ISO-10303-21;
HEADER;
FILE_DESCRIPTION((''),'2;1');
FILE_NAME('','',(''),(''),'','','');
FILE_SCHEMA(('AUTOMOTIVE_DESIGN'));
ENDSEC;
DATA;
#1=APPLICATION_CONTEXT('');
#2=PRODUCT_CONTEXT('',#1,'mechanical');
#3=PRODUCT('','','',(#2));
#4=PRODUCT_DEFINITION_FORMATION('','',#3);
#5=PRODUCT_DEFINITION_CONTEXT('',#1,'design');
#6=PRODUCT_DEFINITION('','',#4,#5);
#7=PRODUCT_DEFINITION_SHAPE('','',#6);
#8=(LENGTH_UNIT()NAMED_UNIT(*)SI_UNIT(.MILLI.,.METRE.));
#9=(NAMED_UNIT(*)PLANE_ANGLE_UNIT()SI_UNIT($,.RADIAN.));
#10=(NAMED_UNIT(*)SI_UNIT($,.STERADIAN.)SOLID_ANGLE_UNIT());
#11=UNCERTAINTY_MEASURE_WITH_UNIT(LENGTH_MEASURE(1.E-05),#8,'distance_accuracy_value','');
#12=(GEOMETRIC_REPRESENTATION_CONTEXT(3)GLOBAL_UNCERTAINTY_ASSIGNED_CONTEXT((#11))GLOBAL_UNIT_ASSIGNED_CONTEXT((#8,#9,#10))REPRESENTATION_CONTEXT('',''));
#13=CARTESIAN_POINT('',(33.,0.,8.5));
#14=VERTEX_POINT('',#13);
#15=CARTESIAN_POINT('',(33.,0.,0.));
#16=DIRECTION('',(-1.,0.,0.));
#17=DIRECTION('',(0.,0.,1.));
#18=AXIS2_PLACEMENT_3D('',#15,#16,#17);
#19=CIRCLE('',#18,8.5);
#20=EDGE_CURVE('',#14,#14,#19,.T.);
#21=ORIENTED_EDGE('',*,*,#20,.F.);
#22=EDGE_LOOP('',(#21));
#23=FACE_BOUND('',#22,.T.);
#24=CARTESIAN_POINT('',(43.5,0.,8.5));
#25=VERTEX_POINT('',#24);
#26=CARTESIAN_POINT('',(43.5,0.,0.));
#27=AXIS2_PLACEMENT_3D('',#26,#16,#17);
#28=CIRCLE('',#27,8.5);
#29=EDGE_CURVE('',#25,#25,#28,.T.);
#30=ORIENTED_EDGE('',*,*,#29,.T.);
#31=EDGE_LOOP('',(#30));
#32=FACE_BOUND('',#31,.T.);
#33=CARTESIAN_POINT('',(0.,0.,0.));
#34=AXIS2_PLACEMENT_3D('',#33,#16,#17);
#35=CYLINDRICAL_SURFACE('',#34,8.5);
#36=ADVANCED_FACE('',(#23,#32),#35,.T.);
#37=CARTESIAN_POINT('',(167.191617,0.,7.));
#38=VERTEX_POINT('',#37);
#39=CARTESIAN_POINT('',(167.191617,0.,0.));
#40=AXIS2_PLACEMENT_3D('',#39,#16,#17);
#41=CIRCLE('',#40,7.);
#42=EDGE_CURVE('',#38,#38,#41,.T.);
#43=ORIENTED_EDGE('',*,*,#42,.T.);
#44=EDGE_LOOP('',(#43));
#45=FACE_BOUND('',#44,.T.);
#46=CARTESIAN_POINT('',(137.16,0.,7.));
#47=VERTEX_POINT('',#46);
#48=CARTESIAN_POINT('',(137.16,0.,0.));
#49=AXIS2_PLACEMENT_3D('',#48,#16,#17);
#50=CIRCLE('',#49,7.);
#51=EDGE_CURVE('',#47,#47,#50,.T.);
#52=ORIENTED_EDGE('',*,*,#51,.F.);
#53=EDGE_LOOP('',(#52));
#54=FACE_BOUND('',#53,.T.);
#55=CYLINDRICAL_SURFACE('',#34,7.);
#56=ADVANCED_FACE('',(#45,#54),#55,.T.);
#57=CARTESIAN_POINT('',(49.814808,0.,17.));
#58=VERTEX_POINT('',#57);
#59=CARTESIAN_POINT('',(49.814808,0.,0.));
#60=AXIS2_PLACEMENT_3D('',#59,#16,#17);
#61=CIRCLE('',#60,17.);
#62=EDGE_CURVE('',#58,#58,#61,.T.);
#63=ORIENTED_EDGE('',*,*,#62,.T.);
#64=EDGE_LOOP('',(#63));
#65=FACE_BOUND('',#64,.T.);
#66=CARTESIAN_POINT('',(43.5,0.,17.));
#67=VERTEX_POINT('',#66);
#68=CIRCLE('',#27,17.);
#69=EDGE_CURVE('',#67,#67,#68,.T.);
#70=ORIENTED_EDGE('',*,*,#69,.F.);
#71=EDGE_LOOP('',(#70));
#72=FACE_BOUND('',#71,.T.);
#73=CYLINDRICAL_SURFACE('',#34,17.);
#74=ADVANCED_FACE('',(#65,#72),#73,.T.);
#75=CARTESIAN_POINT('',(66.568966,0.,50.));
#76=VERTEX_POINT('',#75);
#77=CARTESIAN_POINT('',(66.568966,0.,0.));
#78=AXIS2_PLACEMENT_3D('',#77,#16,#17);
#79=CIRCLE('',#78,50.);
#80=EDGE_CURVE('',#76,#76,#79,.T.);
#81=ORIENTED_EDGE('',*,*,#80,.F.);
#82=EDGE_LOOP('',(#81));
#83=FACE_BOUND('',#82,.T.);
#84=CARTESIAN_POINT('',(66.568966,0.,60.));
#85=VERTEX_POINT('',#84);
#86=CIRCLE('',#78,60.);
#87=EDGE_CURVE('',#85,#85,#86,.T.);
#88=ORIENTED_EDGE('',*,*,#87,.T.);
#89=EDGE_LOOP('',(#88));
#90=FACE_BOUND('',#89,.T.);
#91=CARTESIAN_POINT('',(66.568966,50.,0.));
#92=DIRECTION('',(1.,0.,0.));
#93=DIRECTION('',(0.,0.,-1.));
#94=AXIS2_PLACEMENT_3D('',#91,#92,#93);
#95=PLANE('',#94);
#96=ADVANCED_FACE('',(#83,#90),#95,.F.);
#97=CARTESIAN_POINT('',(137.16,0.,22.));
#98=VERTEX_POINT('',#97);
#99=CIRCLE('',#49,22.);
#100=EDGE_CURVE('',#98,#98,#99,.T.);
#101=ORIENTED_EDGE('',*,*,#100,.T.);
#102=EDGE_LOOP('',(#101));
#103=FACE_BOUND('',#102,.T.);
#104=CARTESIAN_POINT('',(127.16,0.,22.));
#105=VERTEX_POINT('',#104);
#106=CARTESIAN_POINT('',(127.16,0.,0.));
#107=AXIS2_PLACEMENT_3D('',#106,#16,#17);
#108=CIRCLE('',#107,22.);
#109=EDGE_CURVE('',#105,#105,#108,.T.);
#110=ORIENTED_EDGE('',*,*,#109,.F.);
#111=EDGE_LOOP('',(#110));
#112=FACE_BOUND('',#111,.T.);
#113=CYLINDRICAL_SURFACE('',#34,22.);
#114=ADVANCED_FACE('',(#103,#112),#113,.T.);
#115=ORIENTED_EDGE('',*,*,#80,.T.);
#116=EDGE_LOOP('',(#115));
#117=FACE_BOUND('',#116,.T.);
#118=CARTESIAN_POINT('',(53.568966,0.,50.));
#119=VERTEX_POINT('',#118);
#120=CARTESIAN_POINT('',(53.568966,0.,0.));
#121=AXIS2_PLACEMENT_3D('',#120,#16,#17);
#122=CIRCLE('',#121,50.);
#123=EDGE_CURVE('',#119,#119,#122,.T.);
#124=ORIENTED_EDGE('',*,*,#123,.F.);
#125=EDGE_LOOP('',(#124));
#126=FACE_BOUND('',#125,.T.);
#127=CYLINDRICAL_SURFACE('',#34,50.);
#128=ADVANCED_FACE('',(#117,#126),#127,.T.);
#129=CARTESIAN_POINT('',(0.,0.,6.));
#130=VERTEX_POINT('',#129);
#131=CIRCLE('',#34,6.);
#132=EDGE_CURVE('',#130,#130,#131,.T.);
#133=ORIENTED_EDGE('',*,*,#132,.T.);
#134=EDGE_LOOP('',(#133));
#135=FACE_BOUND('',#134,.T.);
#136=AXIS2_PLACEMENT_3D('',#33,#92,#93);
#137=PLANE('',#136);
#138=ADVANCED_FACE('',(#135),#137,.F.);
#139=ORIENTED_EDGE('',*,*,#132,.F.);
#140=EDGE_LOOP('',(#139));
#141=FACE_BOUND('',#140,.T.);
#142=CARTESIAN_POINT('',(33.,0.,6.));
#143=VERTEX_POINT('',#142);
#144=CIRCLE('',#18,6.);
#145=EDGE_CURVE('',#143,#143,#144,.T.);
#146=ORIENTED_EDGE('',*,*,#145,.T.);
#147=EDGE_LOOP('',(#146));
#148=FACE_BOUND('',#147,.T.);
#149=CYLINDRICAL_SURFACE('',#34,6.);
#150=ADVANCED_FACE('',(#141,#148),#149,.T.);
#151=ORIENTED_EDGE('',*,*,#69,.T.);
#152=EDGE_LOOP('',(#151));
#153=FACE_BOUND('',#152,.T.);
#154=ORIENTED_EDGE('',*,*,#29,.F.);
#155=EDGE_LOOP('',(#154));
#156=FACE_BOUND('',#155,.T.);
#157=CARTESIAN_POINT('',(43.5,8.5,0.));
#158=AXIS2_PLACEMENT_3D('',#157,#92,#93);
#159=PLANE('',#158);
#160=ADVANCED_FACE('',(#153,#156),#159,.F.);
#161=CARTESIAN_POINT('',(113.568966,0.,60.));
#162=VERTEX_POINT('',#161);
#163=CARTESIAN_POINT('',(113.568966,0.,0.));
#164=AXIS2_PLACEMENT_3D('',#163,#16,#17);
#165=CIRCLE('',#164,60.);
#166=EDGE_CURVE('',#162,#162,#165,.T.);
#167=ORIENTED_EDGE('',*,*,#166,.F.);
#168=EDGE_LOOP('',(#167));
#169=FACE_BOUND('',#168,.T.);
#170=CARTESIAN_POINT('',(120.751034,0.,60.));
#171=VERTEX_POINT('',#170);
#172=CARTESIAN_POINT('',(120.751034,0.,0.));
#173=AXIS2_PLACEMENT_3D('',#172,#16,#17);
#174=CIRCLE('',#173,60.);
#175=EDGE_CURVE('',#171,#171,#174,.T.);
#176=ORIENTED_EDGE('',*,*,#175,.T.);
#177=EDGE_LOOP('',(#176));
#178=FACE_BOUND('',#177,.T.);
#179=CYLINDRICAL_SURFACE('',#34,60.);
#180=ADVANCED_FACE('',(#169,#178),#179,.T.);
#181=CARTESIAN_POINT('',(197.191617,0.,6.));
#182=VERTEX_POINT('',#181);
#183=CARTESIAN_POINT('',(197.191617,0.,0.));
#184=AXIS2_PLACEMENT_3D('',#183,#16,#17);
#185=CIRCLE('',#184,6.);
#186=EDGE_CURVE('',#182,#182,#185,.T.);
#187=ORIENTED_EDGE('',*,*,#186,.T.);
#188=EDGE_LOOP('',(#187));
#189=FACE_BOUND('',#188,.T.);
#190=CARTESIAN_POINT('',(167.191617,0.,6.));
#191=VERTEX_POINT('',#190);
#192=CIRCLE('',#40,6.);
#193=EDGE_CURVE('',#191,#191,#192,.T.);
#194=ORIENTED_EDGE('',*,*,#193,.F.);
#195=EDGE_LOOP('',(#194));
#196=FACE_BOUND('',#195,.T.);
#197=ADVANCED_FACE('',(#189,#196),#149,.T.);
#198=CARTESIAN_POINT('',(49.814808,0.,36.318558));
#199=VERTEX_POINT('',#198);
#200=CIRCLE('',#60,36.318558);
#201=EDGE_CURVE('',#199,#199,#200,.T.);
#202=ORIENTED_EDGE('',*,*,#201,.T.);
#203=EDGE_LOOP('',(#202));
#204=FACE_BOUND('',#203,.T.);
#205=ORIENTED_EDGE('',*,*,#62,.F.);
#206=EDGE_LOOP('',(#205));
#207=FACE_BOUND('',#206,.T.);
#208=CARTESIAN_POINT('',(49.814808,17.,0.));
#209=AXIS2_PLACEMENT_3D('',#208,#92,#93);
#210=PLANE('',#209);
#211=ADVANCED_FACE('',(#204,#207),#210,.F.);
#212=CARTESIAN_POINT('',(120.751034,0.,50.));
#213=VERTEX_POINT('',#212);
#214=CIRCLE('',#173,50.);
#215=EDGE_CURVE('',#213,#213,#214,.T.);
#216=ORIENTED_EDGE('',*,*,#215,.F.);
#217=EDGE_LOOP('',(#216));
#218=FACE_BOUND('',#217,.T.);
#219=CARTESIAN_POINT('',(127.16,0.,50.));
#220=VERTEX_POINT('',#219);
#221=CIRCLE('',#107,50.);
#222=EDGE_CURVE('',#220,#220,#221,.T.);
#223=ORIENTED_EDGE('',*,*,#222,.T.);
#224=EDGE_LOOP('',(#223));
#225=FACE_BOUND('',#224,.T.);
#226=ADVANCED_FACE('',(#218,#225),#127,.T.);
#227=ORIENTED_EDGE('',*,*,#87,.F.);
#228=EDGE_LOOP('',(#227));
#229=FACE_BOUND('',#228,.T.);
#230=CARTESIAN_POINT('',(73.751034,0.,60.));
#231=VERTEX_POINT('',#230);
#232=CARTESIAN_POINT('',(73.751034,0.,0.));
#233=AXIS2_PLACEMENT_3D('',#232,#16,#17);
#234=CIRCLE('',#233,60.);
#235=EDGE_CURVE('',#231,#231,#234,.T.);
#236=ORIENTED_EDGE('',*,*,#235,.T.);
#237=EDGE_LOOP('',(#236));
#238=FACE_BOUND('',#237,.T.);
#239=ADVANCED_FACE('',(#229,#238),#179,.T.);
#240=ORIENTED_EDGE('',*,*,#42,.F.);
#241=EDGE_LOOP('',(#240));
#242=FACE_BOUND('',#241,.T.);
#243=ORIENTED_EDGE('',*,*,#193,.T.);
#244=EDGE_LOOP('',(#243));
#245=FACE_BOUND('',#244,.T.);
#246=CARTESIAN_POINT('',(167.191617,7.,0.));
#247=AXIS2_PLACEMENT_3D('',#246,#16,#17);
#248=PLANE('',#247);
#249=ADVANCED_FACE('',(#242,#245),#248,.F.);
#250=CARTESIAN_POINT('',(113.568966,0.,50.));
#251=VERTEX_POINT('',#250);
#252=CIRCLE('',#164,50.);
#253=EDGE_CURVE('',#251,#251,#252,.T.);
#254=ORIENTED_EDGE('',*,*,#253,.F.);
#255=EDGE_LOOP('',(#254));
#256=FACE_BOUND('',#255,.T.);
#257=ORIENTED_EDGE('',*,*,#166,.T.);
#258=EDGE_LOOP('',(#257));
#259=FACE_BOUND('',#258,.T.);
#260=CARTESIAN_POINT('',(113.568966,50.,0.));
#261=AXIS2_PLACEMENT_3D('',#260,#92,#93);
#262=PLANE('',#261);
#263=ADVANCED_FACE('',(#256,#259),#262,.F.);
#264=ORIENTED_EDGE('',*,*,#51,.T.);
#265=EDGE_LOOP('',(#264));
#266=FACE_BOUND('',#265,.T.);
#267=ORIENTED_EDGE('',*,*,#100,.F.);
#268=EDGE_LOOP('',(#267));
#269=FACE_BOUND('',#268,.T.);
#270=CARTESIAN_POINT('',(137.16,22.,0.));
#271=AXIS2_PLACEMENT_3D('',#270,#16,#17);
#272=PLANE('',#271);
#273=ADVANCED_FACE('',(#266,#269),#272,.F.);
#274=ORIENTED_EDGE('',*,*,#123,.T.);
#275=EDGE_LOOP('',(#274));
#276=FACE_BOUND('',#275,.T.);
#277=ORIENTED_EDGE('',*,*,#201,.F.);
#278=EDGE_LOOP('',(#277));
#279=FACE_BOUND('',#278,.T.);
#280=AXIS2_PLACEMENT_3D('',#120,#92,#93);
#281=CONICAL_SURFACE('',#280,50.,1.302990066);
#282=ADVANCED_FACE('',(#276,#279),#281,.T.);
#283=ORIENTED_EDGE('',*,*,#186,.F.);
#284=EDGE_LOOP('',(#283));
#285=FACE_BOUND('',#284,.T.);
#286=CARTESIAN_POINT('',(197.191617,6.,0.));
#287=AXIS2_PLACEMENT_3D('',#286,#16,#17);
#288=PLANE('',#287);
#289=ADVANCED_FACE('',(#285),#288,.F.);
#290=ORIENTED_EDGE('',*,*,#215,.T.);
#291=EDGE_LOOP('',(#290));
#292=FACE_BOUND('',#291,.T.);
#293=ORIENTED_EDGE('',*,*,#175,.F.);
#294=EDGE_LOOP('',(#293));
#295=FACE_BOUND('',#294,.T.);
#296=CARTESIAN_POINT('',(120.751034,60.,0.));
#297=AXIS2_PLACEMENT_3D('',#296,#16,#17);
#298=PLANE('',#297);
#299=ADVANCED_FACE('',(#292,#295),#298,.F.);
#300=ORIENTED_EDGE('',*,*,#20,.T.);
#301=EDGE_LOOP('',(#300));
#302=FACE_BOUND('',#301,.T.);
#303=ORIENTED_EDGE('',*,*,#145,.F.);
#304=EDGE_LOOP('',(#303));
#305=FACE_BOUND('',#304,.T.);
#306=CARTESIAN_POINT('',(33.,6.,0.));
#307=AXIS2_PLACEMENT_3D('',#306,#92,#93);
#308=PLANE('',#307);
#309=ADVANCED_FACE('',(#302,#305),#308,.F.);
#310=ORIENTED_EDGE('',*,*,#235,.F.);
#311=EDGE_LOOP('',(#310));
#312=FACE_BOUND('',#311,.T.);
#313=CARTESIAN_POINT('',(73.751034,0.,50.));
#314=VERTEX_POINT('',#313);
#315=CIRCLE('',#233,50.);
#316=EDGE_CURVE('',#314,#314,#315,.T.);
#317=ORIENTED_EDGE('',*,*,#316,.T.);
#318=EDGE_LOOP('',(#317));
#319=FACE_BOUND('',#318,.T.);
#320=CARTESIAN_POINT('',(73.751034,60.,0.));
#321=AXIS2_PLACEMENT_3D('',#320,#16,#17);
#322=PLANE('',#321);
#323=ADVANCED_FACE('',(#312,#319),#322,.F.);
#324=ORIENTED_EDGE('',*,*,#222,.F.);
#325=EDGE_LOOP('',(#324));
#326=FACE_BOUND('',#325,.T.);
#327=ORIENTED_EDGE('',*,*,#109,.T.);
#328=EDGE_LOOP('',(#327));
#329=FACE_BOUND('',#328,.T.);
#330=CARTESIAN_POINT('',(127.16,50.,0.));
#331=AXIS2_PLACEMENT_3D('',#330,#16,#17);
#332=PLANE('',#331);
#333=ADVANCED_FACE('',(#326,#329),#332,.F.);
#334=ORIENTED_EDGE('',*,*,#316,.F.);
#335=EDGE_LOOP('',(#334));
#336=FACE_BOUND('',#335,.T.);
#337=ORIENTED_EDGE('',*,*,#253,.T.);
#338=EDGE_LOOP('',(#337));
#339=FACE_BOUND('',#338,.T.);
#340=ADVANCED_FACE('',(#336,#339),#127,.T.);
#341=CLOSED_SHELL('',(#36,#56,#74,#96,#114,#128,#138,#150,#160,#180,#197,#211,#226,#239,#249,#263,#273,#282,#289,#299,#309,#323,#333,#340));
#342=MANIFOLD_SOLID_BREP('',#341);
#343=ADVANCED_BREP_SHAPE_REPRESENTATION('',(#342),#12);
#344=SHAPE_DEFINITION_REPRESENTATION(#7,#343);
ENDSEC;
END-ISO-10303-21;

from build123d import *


with BuildPart() as part:
    # Sketch1 → Revolve1 (revolve)
    with BuildSketch(Plane.XY, mode=Mode.PRIVATE) as revolve1_sk:
        Polygon((0, 0), (0, 6), (33, 6), (33, 8.5), (43.5, 8.5), (43.5, 17), (49.814808066, 17), (49.814808066, 36.31855833), (53.568965517, 50), (66.568965517, 50), (66.568965517, 60), (73.751034483, 60), (73.751034483, 50), (113.568965517, 50), (113.568965517, 60), (120.751034483, 60), (120.751034483, 50), (127.16, 50), (127.16, 22), (137.16, 22), (137.16, 7), (167.191616728, 7), (167.191616728, 6), (197.191616728, 6), (197.191616728, 0), align=None)
    revolve(revolve1_sk.sketch.rotate(Axis((0, 0, 0), (1, 0, 0)), 90), axis=Axis((0, 0, 0), (1, 0, 0)))


solid = part.part
